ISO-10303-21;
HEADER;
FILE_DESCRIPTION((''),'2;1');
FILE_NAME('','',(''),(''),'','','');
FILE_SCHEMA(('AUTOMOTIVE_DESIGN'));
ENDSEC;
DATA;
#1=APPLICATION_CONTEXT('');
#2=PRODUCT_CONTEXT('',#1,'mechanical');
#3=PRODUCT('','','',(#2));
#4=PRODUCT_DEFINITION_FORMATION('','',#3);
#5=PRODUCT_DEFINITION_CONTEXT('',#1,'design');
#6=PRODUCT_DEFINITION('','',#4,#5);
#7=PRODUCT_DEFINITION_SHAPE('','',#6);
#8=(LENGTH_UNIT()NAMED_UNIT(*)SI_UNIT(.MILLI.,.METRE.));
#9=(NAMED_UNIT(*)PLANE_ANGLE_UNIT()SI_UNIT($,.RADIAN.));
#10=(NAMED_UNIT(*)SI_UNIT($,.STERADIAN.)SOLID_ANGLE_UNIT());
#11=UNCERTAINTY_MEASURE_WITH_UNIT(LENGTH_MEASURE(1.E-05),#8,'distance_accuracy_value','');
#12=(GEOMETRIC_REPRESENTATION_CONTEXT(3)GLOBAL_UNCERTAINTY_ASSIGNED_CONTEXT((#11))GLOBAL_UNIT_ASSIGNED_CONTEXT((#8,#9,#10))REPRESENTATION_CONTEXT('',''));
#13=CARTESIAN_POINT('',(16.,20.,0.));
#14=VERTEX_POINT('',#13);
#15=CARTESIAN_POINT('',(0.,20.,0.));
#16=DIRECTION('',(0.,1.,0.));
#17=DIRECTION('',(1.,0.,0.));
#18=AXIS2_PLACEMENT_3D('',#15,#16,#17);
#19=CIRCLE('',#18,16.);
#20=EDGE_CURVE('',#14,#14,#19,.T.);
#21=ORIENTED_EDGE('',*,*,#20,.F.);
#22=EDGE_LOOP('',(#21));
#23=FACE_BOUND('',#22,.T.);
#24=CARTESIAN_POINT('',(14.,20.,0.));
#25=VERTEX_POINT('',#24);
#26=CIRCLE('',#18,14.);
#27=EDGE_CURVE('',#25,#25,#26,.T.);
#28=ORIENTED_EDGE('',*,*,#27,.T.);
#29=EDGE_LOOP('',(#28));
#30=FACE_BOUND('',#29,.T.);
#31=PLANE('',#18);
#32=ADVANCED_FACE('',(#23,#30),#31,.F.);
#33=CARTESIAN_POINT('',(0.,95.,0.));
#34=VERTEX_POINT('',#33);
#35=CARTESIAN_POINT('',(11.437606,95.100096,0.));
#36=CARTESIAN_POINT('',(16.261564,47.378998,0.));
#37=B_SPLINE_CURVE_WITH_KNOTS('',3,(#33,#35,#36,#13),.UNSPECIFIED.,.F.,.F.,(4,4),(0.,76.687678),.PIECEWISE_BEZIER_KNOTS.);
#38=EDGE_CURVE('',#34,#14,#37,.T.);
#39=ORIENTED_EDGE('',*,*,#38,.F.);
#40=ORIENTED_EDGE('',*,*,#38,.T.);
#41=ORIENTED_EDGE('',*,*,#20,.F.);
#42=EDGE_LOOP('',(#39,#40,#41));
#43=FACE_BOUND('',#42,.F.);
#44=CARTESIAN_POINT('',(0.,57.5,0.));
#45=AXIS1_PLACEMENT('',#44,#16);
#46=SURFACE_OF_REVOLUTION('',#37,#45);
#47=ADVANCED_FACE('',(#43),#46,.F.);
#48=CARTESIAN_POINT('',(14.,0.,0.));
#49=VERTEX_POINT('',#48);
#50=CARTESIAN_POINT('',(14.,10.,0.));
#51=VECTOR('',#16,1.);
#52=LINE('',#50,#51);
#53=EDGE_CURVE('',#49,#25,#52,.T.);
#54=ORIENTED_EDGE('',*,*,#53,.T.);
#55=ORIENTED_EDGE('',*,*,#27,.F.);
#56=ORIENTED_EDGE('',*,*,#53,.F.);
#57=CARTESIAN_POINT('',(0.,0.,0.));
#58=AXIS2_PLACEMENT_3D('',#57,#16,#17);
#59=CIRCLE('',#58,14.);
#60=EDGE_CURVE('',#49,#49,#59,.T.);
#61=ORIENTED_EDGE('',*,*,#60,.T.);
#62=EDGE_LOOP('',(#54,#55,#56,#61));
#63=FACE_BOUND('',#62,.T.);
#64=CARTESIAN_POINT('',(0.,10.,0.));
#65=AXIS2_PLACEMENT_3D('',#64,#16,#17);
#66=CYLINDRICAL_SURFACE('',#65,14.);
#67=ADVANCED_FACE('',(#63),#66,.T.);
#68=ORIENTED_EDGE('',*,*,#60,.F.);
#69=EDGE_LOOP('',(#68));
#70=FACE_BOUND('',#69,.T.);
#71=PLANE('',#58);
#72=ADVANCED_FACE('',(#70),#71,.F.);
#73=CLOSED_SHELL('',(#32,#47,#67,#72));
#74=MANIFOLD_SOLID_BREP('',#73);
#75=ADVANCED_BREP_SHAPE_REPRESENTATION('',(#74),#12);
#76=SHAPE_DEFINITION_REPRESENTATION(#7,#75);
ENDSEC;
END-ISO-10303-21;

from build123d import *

# Parameters (mm, degrees)
F0_W   = 8.5
F0_H   = 20
F0_W_2 = 5.5
F0_H_2 = 45


with BuildPart() as f1:
    # F0 (on Top) → F1 (revolve)
    with BuildSketch(Plane.XY):
        with BuildLine():
            Line((0, 95), (0, 65))
            Line((0, 65), (5.5, 65))
            Line((5.5, 65), (5.5, 20))
            Line((5.5, 20), (14, 20))
            Line((14, 20), (16, 20))
            add(Edge.make_bspline(
                [(0, 95), (11.437606, 95.100096), (16.261564, 47.378998), (16, 20)],
                knots=[0, 0, 0, 0, 76.687678, 76.687678, 76.687678, 76.687678], degree=3))
        make_face()
        with Locations((9.75, 10)):
            Rectangle(F0_W, F0_H)
        with Locations((2.75, 42.5)):
            Rectangle(F0_W_2, F0_H_2)
        with Locations((2.75, 10)):
            Rectangle(F0_W_2, F0_H)
    revolve(axis=Axis((0, 57.5, 0), (0, 1, 0)))


solid = f1.part
